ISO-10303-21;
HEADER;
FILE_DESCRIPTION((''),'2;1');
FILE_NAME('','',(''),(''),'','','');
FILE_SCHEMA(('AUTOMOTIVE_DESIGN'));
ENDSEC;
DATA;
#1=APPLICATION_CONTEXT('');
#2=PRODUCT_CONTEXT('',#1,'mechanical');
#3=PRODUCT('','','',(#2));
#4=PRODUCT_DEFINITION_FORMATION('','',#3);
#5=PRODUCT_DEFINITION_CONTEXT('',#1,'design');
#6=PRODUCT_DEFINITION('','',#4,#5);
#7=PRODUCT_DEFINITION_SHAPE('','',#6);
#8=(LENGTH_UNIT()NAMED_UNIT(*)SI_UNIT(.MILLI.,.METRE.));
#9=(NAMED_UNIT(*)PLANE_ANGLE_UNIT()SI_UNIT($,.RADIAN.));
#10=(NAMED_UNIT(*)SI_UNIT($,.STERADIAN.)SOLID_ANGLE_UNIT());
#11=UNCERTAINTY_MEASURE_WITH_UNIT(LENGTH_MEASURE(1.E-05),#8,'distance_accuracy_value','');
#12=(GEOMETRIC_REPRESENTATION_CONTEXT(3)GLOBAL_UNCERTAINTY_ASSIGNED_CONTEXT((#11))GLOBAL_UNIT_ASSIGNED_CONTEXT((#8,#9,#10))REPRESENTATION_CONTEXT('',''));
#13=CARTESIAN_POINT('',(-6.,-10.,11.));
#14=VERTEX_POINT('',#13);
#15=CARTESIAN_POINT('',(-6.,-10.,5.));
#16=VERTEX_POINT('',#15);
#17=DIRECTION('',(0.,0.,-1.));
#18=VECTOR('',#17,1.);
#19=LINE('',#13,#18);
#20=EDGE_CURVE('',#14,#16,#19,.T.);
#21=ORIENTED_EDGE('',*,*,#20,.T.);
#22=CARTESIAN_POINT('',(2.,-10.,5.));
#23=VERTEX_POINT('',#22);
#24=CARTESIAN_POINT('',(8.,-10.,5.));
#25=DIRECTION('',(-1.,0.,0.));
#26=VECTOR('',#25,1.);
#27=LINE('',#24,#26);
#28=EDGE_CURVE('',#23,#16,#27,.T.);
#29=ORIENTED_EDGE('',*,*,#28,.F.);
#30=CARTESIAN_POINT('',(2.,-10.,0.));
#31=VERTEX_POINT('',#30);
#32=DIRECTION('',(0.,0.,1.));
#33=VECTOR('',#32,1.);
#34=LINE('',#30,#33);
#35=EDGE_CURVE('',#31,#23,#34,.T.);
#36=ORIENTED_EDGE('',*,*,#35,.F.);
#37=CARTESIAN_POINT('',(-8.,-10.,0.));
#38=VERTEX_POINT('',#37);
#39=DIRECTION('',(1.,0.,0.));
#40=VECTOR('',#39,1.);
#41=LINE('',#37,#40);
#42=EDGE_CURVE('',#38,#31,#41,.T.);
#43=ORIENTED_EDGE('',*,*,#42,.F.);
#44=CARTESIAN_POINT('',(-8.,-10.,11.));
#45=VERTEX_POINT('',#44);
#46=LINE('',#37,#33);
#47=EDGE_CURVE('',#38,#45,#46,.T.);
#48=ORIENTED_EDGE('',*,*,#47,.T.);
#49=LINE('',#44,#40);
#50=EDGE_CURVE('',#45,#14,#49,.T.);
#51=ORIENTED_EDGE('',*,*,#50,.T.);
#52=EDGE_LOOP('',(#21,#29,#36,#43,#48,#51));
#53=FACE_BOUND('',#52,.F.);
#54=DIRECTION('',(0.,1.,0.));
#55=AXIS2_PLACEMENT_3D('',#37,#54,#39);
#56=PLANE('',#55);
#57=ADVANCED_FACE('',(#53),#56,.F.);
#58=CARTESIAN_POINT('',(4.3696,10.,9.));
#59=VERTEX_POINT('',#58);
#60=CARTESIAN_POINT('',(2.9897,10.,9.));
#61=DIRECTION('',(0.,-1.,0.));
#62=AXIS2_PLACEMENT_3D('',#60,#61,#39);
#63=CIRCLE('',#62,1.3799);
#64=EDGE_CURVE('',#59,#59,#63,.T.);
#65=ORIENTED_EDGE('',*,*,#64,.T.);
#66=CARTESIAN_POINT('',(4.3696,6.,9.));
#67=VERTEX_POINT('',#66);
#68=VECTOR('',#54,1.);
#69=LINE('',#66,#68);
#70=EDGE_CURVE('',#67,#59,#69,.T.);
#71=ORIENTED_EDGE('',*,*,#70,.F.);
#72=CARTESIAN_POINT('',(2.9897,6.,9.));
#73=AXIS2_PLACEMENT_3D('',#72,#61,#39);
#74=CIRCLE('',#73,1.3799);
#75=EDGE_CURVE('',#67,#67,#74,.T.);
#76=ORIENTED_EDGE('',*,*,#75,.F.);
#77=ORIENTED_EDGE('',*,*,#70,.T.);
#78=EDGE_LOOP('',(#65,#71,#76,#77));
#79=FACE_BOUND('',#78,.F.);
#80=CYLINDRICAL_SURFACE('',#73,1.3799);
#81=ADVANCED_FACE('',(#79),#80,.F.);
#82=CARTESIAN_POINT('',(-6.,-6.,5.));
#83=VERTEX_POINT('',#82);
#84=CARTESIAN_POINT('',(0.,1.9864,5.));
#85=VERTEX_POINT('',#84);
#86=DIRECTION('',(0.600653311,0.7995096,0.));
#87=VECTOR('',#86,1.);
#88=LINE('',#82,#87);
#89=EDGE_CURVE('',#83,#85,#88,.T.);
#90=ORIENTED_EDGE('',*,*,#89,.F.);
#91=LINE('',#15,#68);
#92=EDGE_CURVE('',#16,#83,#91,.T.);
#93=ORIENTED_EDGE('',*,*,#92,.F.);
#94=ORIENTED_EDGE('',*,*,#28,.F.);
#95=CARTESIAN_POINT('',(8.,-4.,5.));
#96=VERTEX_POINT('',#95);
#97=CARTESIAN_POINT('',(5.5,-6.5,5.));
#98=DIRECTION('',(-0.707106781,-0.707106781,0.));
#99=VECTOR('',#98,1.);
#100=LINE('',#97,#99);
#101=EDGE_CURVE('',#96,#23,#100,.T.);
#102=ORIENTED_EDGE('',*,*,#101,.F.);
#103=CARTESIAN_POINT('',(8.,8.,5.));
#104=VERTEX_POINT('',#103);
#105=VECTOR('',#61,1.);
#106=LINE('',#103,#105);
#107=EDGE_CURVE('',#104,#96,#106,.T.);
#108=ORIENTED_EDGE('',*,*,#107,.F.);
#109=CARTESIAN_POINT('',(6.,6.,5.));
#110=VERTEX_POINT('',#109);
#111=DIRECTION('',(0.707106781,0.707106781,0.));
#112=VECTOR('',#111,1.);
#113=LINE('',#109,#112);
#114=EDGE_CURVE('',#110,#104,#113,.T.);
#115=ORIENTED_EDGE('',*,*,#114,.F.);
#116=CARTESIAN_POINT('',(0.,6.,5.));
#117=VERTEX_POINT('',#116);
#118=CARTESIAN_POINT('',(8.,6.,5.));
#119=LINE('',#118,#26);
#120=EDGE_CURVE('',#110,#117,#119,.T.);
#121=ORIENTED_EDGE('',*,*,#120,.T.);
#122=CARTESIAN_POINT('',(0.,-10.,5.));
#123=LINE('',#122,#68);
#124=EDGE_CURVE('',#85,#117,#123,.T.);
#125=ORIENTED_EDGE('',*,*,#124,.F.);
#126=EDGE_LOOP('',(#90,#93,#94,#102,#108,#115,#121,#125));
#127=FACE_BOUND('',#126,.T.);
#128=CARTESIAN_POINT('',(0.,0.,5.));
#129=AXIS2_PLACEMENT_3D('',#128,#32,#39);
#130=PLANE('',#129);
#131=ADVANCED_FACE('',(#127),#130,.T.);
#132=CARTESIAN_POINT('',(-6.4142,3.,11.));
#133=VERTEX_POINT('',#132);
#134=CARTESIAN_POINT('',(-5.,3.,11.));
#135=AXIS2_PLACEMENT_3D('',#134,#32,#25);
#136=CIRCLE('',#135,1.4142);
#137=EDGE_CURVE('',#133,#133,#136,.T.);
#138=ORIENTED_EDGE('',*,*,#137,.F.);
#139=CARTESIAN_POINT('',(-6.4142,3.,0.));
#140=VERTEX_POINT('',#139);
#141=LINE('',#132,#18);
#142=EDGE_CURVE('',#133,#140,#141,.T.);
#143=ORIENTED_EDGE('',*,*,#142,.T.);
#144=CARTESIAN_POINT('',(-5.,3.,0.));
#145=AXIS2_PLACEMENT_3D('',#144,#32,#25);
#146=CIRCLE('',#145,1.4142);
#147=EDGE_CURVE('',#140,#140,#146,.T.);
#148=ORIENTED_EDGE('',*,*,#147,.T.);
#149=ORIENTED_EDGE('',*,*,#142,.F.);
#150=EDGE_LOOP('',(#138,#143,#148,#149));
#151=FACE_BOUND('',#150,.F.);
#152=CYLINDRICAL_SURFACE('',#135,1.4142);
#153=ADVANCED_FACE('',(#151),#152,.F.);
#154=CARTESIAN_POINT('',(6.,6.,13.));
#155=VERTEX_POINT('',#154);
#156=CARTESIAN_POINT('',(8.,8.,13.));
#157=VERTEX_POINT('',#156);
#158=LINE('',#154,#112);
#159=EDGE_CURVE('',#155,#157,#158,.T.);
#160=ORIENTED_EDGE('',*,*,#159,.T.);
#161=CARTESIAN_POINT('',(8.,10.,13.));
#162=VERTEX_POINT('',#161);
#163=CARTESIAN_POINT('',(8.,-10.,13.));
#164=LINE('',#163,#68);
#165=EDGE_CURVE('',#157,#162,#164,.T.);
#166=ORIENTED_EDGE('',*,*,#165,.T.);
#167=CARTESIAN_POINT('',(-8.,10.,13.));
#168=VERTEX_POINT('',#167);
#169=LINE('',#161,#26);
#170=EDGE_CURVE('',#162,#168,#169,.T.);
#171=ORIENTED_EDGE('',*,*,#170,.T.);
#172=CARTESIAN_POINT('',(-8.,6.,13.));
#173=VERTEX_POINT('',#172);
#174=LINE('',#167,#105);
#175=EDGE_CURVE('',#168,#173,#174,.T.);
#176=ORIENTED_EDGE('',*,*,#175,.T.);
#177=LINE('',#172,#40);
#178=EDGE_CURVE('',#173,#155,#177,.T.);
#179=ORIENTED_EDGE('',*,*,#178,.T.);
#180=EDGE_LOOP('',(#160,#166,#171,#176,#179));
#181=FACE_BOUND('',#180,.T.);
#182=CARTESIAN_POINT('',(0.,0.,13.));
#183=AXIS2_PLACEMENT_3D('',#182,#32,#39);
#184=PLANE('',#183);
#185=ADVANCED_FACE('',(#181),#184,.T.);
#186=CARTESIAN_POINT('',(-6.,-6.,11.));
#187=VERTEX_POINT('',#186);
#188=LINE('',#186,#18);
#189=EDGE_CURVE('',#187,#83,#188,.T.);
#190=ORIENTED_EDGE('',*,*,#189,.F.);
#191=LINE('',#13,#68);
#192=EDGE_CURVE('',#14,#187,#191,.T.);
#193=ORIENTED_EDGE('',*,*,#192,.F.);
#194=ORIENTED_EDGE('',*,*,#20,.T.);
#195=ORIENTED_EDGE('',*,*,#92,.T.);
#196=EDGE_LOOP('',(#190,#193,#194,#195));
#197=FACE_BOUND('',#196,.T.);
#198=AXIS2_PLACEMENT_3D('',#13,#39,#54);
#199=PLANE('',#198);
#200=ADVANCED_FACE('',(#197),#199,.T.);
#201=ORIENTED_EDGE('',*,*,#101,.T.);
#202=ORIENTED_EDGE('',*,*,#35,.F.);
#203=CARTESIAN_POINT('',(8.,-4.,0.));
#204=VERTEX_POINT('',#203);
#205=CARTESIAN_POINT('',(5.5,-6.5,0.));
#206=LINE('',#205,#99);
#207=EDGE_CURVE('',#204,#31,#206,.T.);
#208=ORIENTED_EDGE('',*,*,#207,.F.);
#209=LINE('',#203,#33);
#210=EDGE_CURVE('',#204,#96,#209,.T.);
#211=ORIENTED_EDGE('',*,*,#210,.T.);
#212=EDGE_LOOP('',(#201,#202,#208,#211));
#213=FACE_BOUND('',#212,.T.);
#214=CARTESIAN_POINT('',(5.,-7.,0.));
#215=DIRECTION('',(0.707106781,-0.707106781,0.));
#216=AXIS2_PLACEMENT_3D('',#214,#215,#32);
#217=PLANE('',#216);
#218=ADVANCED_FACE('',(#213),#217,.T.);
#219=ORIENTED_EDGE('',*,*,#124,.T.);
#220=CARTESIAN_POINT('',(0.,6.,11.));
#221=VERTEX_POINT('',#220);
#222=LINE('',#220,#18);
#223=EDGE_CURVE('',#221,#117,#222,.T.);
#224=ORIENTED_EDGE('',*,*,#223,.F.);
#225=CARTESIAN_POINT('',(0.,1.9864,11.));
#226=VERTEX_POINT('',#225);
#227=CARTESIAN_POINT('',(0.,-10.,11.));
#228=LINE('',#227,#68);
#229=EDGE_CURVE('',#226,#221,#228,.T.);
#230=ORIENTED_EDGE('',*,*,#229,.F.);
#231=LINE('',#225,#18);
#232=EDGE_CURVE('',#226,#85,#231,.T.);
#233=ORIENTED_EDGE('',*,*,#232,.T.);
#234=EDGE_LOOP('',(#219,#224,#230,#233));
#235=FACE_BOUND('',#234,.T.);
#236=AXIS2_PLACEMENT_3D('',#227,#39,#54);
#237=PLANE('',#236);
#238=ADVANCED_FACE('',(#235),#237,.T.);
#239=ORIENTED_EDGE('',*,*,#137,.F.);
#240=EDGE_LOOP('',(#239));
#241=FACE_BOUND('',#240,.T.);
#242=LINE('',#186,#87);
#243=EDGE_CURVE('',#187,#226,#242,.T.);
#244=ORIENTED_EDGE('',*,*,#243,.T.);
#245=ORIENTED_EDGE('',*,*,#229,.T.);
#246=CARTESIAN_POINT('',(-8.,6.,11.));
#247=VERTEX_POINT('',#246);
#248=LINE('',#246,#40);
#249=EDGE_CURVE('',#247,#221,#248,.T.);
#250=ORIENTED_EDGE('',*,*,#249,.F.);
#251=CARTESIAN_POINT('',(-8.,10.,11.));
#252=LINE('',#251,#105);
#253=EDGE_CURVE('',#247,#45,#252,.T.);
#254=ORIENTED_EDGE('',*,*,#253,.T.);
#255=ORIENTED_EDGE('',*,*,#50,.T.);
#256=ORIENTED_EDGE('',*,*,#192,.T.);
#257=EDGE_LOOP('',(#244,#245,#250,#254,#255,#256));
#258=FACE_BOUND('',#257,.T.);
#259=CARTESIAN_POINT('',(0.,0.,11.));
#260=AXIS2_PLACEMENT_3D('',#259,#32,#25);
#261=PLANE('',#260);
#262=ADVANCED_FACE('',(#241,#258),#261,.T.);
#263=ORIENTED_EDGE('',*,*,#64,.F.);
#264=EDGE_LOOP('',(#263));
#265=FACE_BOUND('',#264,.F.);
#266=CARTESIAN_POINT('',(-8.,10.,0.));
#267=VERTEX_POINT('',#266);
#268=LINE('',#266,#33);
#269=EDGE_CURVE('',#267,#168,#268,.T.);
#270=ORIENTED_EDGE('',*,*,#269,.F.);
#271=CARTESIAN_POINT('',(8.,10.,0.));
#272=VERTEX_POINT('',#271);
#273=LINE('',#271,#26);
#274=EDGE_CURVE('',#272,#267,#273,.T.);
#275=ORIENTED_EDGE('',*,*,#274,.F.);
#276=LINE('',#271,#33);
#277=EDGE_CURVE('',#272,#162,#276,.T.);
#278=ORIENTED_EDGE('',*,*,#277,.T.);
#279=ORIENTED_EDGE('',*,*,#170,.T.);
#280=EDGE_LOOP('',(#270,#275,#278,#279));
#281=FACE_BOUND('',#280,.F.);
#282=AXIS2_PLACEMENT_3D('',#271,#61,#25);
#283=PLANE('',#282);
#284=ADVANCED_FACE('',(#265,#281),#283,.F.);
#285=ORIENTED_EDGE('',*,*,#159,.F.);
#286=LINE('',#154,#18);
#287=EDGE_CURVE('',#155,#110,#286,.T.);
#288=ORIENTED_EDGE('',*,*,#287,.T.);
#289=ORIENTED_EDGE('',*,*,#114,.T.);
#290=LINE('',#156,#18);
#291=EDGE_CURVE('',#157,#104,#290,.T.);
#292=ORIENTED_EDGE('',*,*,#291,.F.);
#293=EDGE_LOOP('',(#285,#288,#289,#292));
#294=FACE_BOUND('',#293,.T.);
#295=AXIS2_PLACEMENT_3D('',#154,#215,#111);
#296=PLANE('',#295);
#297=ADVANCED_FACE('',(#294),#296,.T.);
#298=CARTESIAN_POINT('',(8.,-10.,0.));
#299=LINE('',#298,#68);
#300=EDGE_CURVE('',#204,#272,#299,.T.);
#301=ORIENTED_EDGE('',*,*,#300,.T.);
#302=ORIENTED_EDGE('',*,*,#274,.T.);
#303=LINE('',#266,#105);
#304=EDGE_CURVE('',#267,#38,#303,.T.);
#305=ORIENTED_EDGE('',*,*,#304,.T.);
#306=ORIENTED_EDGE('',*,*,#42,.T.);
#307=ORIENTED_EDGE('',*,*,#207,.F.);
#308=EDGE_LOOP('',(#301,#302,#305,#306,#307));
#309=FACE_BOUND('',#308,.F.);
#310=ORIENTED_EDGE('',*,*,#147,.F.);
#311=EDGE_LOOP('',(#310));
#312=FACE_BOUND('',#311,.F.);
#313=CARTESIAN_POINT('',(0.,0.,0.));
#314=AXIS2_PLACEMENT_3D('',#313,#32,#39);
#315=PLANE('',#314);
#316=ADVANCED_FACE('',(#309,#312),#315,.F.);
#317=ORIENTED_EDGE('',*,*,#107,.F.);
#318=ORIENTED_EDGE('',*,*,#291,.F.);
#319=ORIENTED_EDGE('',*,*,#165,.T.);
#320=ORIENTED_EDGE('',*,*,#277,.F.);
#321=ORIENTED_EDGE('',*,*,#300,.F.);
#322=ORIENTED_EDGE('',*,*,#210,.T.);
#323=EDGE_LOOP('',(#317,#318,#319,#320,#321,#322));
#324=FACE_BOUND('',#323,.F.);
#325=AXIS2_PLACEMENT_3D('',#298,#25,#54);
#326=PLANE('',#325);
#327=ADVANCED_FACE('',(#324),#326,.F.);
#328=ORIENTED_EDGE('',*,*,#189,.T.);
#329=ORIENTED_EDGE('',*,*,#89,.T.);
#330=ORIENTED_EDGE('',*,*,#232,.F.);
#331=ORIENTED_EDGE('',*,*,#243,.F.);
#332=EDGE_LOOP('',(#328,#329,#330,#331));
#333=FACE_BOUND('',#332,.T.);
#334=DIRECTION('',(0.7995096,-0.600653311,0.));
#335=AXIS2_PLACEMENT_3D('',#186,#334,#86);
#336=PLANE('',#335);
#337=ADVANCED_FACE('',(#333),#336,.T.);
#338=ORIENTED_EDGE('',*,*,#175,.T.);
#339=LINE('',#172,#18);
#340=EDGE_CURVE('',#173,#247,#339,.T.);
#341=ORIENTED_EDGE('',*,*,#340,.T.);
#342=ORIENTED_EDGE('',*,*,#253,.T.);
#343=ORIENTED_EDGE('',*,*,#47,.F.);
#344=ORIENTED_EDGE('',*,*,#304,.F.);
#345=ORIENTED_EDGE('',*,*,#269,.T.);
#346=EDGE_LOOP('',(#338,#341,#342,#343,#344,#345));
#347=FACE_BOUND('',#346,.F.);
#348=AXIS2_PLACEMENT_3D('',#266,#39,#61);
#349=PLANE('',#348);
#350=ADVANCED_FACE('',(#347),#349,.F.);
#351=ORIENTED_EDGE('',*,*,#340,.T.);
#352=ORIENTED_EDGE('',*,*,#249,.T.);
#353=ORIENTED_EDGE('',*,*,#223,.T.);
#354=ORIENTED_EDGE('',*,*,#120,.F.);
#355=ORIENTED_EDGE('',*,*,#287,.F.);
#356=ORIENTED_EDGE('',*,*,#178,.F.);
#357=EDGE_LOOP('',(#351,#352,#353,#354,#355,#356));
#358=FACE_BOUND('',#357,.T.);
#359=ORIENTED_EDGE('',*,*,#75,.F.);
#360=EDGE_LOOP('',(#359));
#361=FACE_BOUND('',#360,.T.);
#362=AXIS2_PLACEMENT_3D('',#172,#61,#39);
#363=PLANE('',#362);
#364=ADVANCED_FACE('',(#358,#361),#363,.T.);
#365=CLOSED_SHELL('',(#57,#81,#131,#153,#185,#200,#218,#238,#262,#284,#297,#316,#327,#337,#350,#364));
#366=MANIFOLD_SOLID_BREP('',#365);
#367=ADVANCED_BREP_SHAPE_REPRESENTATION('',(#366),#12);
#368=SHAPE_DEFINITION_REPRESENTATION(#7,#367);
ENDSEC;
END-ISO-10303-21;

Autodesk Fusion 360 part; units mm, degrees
sketch "Sketch1" plane through (0, 0, 0) normal (0, 0, 1) x (1, 0, 0)
  line L0 (8, 10) -> (-8, 10)
  line L1 (-8, 10) -> (-8, -10)
  line L2 (-8, -10) -> (8, -10)
  line L3 (8, -10) -> (8, 10)
  line L4 (8, 10) -> (-8, -10) construction
  line L5 (-8, 10) -> (8, -10) construction
  dimension "d1" = 16
  dimension "d2" = 20
extrude "Extrude1" add sketch "Sketch1" along normal blind 13
sketch "Sketch2" plane through (8, 0, 0) normal (1, 0, 0) x (0, 1, 0)
  line L0 (-10, 0) -> (10, 0)
  line L1 (10, 0) -> (10, 13)
  line L2 (10, 13) -> (-10, 13)
  line L3 (-10, 13) -> (-10, 0)
sketch "Sketch3" plane through (0, 10, 0) normal (0, 1, 0) x (-1, 0, 0)
  line L0 (-8, 0) -> (8, 0)
  line L1 (8, 0) -> (8, 13)
  line L2 (8, 13) -> (-8, 13)
  line L3 (-8, 13) -> (-8, 0)
sketch "Sketch4" plane through (0, 0, 13) normal (0, 0, 1) x (-1, 0, 0)
  line L0 (-8, 10) -> (-8, -10)
  line L1 (-8, -10) -> (8, -10)
  line L2 (8, -10) -> (8, 10)
  line L3 (8, 10) -> (-8, 10)
  line L4 (8, -6) -> (-8, -6)
  line L5 (-8, -6) -> (-8, 10)
  line L6 (-8, 10) -> (8, 10)
  line L7 (8, 10) -> (8, -6)
  line L8 (8, -6) -> (-8, 10) construction
  line L9 (-8, -6) -> (8, 10) construction
  point P0 (0, 2)
  dimension "d5" = 16
  dimension "d6" = 16
extrude "Extrude2" cut sketch "Sketch4" against normal blind 2 contours L0 L2 L3 L4 L5 L6 L7
sketch "Sketch5" plane through (0, 0, 11) normal (0, 0, 1) x (-1, 0, 0)
  line L0 (8, 10) -> (-8, 10)
  line L1 (-8, 10) -> (-8, -6)
  line L2 (-8, -6) -> (8, -6)
  line L3 (8, -6) -> (8, 10)
  line L4 (0, -6) -> (-8, -6)
  line L5 (-8, -6) -> (-8, 10)
  line L6 (-8, 10) -> (0, 10)
  line L7 (0, 10) -> (0, -6)
  line L8 (0, -6) -> (-8, 10) construction
  line L9 (-8, -6) -> (0, 10) construction
  point P0 (-4, 2)
  dimension "d9" = 8
  dimension "d10" = 16
extrude "Extrude3" cut sketch "Sketch5" against normal blind 6 contours L0 L1 L2 L4 L5 L6 L7
sketch "Sketch6" plane through (0, 0, 11) normal (0, 0, 1) x (-1, 0, 0)
  line L0 (0, 10) -> (0, -6)
  line L1 (0, -6) -> (8, -6)
  line L2 (8, -6) -> (8, 10)
  line L3 (8, 10) -> (0, 10)
  line L4 (6, 6) -> (0, 6)
  line L5 (0, 6) -> (0, 10)
  line L6 (0, 10) -> (6, 10)
  line L7 (6, 10) -> (6, 6)
  line L8 (6, 6) -> (0, 10) construction
  line L9 (0, 6) -> (6, 10) construction
  point P0 (3, 8)
  dimension "d13" = 6
  dimension "d14" = 4
extrude "Extrude4" cut sketch "Sketch6" against normal blind 6 contours L0 L3 L4 L5 L6 L7
sketch "Sketch7" plane through (0, 0, 11) normal (0, 0, 1) x (-1, 0, 0)
  line L0 (6, 6) -> (0, 6)
  line L1 (0, 6) -> (0, -6)
  line L2 (0, -6) -> (8, -6)
  line L3 (8, -6) -> (8, 10)
  line L4 (8, 10) -> (6, 10)
  line L5 (6, 10) -> (6, 6)
  line L6 (6, 6) -> (0, -1.9864)
  line L7 (0, 6) -> (0, -1.9864)
extrude "Extrude5" cut sketch "Sketch7" against normal blind 6 contours L0 L1 L6 L7
sketch "Sketch8" plane through (0, 0, 13) normal (0, 0, 1) x (-1, 0, 0)
  line L0 (8, -6) -> (-8, -6)
  line L1 (-8, -6) -> (-8, -10)
  line L2 (-8, -10) -> (8, -10)
  line L3 (8, -10) -> (8, -6)
sketch "Sketch9" plane through (0, 0, 13) normal (0, 0, 1) x (1, 0, 0)
  line L0 (6, 6) -> (8, 8)
  line L1 (8, 8) -> (8, 6)
  line L2 (8, 6) -> (6, 6)
extrude "Extrude6" cut sketch "Sketch9" against normal blind 8
chamfer "Chamfer1" distance 6 angle 45 1 edges at (8, -10, 2.5)
sketch "Sketch10" plane through (0, 6, 0) normal (0, -1, 0) x (1, 0, 0)
  line L0 (6, 5) -> (6, 13)
  line L1 (6, 13) -> (-8, 13)
  line L2 (-8, 13) -> (-8, 11)
  line L3 (-8, 11) -> (0, 11)
  line L4 (0, 11) -> (0, 5)
  line L5 (0, 5) -> (6, 5)
  circle A0 centre (2.9897, 9) radius 1.3799
extrude "Extrude7" cut sketch "Sketch10" against normal blind 4 contours A0
sketch "Sketch11" plane through (0, 0, 11) normal (0, 0, 1) x (-1, 0, 0)
  line L0 (6, 6) -> (0, -1.9864)
  line L1 (0, -1.9864) -> (0, -6)
  line L2 (0, -6) -> (8, -6)
  line L3 (8, -6) -> (8, 10)
  line L4 (8, 10) -> (6, 10)
  line L5 (6, 10) -> (6, 6)
  circle A0 centre (5, -3) radius 1.4142
extrude "Extrude8" cut sketch "Sketch11" against normal blind 11 contours A0
